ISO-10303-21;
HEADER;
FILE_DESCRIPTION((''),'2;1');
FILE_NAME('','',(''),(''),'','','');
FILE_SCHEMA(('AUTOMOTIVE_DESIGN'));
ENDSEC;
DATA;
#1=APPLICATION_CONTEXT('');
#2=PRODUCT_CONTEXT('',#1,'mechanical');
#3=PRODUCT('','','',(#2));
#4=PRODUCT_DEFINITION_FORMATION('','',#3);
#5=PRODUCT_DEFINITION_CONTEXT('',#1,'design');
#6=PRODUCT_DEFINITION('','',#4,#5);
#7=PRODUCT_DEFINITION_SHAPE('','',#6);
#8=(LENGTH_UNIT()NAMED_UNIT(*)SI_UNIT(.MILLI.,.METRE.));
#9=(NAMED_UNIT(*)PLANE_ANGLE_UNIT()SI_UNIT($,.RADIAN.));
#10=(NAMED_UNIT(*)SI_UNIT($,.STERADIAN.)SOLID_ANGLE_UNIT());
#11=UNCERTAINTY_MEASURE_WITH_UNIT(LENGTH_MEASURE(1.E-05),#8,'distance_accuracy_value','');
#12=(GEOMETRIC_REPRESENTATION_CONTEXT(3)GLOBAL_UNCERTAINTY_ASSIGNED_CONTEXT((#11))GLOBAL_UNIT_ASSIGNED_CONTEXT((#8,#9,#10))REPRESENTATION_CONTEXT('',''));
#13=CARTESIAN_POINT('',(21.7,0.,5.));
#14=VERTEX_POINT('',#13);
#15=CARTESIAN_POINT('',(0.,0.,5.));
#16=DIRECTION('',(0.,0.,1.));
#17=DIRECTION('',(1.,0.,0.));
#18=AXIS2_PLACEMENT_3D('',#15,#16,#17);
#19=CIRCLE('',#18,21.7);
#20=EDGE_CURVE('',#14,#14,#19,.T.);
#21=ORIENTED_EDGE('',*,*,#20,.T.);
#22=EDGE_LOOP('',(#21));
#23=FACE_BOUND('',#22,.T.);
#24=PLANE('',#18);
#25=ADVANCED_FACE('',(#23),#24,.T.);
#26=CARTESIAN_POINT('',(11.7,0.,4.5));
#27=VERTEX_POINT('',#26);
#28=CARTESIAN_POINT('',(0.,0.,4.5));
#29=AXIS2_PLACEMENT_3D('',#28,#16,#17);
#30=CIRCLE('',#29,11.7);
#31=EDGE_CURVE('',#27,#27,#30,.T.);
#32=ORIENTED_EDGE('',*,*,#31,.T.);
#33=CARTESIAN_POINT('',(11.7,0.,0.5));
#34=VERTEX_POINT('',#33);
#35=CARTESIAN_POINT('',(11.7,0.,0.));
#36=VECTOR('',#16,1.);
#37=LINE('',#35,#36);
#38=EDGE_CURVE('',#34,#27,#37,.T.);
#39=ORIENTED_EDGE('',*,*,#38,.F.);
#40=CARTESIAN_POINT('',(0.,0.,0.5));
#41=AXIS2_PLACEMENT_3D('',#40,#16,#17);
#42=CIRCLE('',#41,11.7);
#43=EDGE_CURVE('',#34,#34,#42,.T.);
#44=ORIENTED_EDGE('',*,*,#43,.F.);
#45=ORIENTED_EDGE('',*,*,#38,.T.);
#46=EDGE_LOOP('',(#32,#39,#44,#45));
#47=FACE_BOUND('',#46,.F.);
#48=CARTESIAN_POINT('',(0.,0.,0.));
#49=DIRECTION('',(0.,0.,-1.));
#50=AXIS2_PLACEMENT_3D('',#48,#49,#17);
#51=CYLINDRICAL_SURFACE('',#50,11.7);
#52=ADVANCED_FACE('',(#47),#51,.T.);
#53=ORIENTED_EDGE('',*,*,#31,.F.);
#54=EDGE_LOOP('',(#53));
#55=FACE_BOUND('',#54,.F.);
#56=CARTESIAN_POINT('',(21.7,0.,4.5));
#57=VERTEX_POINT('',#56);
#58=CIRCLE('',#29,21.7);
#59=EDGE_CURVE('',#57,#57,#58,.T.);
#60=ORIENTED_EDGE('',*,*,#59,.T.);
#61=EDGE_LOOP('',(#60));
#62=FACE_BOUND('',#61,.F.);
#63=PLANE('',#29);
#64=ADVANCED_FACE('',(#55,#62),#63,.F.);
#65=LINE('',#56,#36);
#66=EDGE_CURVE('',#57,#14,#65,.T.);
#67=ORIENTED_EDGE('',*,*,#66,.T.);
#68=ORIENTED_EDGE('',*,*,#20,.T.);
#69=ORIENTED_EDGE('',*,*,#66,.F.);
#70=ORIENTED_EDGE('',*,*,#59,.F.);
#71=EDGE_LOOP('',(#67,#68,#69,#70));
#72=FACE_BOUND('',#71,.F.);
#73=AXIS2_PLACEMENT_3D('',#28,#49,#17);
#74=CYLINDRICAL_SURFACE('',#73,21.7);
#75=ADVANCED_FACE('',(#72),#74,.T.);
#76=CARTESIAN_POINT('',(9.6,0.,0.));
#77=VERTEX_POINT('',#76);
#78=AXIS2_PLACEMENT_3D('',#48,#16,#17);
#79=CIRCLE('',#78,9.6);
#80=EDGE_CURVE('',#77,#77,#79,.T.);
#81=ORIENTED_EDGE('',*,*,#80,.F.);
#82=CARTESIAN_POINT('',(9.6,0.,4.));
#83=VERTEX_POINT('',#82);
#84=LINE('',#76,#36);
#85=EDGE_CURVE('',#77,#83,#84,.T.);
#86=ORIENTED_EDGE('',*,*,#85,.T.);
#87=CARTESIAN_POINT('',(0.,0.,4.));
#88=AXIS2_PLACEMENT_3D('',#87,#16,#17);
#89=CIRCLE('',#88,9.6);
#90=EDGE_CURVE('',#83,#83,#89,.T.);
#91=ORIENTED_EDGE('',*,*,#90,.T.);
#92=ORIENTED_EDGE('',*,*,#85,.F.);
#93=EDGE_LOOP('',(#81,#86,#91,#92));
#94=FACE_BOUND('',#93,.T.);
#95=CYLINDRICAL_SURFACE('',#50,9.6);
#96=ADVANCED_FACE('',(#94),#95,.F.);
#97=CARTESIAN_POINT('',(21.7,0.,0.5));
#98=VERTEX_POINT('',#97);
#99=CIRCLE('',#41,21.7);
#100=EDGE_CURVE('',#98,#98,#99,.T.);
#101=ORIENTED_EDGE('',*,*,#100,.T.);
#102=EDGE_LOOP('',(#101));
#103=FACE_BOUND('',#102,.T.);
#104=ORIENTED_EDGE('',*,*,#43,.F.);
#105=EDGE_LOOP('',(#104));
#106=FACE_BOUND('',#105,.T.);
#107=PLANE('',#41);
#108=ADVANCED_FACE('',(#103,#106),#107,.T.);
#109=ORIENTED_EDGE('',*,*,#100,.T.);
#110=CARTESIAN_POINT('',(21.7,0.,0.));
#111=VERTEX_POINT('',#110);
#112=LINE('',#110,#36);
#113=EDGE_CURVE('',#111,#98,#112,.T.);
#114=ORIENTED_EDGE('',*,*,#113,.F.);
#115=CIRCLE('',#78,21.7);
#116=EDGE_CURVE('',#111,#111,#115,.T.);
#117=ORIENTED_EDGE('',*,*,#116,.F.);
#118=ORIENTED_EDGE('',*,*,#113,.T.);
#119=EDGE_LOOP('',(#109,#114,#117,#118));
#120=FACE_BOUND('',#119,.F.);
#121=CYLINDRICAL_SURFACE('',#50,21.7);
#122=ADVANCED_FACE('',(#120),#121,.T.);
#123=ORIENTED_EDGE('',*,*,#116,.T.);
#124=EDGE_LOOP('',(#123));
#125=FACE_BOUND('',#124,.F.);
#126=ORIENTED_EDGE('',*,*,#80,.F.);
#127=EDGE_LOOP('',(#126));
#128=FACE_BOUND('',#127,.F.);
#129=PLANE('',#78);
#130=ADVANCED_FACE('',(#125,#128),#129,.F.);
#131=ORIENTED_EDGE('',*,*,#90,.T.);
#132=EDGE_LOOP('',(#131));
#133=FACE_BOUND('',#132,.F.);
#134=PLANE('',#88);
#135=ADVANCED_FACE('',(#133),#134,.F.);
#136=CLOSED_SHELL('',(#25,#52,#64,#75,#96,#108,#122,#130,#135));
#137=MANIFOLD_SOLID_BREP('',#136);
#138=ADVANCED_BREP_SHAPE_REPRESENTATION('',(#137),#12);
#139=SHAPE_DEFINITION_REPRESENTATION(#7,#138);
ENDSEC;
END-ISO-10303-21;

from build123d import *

# Parameters (mm, degrees)
F0_R     = 11.7
F0_R_2   = 9.6
F1_DEPTH = 5
F0_R_3   = 21.7
F2_DEPTH = 0.5
F3_START = 4.5
F3_DEPTH = 0.5
F4_START = 4
F4_DEPTH = 1


with BuildPart() as f1:
    # F0 (on Top) → F1 (new body)
    with BuildSketch(Plane.XY):
        Circle(F0_R)
        Circle(F0_R_2, mode=Mode.SUBTRACT)
    extrude(amount=F1_DEPTH)

    # F0 (on Top) → F2 (join)
    with BuildSketch(Plane.XY):
        Circle(F0_R_3)
        Circle(F0_R, mode=Mode.SUBTRACT)
    extrude(amount=F2_DEPTH)

    # F0 (on Top) → F3 (join)
    with BuildSketch(Plane.XY.offset(F3_START)):
        Circle(F0_R_3)
        Circle(F0_R, mode=Mode.SUBTRACT)
    extrude(amount=F3_DEPTH)

    # F0 (on Top) → F4 (join)
    with BuildSketch(Plane.XY.offset(F4_START)):
        Circle(F0_R_2)
    extrude(amount=F4_DEPTH)


solid = f1.part
